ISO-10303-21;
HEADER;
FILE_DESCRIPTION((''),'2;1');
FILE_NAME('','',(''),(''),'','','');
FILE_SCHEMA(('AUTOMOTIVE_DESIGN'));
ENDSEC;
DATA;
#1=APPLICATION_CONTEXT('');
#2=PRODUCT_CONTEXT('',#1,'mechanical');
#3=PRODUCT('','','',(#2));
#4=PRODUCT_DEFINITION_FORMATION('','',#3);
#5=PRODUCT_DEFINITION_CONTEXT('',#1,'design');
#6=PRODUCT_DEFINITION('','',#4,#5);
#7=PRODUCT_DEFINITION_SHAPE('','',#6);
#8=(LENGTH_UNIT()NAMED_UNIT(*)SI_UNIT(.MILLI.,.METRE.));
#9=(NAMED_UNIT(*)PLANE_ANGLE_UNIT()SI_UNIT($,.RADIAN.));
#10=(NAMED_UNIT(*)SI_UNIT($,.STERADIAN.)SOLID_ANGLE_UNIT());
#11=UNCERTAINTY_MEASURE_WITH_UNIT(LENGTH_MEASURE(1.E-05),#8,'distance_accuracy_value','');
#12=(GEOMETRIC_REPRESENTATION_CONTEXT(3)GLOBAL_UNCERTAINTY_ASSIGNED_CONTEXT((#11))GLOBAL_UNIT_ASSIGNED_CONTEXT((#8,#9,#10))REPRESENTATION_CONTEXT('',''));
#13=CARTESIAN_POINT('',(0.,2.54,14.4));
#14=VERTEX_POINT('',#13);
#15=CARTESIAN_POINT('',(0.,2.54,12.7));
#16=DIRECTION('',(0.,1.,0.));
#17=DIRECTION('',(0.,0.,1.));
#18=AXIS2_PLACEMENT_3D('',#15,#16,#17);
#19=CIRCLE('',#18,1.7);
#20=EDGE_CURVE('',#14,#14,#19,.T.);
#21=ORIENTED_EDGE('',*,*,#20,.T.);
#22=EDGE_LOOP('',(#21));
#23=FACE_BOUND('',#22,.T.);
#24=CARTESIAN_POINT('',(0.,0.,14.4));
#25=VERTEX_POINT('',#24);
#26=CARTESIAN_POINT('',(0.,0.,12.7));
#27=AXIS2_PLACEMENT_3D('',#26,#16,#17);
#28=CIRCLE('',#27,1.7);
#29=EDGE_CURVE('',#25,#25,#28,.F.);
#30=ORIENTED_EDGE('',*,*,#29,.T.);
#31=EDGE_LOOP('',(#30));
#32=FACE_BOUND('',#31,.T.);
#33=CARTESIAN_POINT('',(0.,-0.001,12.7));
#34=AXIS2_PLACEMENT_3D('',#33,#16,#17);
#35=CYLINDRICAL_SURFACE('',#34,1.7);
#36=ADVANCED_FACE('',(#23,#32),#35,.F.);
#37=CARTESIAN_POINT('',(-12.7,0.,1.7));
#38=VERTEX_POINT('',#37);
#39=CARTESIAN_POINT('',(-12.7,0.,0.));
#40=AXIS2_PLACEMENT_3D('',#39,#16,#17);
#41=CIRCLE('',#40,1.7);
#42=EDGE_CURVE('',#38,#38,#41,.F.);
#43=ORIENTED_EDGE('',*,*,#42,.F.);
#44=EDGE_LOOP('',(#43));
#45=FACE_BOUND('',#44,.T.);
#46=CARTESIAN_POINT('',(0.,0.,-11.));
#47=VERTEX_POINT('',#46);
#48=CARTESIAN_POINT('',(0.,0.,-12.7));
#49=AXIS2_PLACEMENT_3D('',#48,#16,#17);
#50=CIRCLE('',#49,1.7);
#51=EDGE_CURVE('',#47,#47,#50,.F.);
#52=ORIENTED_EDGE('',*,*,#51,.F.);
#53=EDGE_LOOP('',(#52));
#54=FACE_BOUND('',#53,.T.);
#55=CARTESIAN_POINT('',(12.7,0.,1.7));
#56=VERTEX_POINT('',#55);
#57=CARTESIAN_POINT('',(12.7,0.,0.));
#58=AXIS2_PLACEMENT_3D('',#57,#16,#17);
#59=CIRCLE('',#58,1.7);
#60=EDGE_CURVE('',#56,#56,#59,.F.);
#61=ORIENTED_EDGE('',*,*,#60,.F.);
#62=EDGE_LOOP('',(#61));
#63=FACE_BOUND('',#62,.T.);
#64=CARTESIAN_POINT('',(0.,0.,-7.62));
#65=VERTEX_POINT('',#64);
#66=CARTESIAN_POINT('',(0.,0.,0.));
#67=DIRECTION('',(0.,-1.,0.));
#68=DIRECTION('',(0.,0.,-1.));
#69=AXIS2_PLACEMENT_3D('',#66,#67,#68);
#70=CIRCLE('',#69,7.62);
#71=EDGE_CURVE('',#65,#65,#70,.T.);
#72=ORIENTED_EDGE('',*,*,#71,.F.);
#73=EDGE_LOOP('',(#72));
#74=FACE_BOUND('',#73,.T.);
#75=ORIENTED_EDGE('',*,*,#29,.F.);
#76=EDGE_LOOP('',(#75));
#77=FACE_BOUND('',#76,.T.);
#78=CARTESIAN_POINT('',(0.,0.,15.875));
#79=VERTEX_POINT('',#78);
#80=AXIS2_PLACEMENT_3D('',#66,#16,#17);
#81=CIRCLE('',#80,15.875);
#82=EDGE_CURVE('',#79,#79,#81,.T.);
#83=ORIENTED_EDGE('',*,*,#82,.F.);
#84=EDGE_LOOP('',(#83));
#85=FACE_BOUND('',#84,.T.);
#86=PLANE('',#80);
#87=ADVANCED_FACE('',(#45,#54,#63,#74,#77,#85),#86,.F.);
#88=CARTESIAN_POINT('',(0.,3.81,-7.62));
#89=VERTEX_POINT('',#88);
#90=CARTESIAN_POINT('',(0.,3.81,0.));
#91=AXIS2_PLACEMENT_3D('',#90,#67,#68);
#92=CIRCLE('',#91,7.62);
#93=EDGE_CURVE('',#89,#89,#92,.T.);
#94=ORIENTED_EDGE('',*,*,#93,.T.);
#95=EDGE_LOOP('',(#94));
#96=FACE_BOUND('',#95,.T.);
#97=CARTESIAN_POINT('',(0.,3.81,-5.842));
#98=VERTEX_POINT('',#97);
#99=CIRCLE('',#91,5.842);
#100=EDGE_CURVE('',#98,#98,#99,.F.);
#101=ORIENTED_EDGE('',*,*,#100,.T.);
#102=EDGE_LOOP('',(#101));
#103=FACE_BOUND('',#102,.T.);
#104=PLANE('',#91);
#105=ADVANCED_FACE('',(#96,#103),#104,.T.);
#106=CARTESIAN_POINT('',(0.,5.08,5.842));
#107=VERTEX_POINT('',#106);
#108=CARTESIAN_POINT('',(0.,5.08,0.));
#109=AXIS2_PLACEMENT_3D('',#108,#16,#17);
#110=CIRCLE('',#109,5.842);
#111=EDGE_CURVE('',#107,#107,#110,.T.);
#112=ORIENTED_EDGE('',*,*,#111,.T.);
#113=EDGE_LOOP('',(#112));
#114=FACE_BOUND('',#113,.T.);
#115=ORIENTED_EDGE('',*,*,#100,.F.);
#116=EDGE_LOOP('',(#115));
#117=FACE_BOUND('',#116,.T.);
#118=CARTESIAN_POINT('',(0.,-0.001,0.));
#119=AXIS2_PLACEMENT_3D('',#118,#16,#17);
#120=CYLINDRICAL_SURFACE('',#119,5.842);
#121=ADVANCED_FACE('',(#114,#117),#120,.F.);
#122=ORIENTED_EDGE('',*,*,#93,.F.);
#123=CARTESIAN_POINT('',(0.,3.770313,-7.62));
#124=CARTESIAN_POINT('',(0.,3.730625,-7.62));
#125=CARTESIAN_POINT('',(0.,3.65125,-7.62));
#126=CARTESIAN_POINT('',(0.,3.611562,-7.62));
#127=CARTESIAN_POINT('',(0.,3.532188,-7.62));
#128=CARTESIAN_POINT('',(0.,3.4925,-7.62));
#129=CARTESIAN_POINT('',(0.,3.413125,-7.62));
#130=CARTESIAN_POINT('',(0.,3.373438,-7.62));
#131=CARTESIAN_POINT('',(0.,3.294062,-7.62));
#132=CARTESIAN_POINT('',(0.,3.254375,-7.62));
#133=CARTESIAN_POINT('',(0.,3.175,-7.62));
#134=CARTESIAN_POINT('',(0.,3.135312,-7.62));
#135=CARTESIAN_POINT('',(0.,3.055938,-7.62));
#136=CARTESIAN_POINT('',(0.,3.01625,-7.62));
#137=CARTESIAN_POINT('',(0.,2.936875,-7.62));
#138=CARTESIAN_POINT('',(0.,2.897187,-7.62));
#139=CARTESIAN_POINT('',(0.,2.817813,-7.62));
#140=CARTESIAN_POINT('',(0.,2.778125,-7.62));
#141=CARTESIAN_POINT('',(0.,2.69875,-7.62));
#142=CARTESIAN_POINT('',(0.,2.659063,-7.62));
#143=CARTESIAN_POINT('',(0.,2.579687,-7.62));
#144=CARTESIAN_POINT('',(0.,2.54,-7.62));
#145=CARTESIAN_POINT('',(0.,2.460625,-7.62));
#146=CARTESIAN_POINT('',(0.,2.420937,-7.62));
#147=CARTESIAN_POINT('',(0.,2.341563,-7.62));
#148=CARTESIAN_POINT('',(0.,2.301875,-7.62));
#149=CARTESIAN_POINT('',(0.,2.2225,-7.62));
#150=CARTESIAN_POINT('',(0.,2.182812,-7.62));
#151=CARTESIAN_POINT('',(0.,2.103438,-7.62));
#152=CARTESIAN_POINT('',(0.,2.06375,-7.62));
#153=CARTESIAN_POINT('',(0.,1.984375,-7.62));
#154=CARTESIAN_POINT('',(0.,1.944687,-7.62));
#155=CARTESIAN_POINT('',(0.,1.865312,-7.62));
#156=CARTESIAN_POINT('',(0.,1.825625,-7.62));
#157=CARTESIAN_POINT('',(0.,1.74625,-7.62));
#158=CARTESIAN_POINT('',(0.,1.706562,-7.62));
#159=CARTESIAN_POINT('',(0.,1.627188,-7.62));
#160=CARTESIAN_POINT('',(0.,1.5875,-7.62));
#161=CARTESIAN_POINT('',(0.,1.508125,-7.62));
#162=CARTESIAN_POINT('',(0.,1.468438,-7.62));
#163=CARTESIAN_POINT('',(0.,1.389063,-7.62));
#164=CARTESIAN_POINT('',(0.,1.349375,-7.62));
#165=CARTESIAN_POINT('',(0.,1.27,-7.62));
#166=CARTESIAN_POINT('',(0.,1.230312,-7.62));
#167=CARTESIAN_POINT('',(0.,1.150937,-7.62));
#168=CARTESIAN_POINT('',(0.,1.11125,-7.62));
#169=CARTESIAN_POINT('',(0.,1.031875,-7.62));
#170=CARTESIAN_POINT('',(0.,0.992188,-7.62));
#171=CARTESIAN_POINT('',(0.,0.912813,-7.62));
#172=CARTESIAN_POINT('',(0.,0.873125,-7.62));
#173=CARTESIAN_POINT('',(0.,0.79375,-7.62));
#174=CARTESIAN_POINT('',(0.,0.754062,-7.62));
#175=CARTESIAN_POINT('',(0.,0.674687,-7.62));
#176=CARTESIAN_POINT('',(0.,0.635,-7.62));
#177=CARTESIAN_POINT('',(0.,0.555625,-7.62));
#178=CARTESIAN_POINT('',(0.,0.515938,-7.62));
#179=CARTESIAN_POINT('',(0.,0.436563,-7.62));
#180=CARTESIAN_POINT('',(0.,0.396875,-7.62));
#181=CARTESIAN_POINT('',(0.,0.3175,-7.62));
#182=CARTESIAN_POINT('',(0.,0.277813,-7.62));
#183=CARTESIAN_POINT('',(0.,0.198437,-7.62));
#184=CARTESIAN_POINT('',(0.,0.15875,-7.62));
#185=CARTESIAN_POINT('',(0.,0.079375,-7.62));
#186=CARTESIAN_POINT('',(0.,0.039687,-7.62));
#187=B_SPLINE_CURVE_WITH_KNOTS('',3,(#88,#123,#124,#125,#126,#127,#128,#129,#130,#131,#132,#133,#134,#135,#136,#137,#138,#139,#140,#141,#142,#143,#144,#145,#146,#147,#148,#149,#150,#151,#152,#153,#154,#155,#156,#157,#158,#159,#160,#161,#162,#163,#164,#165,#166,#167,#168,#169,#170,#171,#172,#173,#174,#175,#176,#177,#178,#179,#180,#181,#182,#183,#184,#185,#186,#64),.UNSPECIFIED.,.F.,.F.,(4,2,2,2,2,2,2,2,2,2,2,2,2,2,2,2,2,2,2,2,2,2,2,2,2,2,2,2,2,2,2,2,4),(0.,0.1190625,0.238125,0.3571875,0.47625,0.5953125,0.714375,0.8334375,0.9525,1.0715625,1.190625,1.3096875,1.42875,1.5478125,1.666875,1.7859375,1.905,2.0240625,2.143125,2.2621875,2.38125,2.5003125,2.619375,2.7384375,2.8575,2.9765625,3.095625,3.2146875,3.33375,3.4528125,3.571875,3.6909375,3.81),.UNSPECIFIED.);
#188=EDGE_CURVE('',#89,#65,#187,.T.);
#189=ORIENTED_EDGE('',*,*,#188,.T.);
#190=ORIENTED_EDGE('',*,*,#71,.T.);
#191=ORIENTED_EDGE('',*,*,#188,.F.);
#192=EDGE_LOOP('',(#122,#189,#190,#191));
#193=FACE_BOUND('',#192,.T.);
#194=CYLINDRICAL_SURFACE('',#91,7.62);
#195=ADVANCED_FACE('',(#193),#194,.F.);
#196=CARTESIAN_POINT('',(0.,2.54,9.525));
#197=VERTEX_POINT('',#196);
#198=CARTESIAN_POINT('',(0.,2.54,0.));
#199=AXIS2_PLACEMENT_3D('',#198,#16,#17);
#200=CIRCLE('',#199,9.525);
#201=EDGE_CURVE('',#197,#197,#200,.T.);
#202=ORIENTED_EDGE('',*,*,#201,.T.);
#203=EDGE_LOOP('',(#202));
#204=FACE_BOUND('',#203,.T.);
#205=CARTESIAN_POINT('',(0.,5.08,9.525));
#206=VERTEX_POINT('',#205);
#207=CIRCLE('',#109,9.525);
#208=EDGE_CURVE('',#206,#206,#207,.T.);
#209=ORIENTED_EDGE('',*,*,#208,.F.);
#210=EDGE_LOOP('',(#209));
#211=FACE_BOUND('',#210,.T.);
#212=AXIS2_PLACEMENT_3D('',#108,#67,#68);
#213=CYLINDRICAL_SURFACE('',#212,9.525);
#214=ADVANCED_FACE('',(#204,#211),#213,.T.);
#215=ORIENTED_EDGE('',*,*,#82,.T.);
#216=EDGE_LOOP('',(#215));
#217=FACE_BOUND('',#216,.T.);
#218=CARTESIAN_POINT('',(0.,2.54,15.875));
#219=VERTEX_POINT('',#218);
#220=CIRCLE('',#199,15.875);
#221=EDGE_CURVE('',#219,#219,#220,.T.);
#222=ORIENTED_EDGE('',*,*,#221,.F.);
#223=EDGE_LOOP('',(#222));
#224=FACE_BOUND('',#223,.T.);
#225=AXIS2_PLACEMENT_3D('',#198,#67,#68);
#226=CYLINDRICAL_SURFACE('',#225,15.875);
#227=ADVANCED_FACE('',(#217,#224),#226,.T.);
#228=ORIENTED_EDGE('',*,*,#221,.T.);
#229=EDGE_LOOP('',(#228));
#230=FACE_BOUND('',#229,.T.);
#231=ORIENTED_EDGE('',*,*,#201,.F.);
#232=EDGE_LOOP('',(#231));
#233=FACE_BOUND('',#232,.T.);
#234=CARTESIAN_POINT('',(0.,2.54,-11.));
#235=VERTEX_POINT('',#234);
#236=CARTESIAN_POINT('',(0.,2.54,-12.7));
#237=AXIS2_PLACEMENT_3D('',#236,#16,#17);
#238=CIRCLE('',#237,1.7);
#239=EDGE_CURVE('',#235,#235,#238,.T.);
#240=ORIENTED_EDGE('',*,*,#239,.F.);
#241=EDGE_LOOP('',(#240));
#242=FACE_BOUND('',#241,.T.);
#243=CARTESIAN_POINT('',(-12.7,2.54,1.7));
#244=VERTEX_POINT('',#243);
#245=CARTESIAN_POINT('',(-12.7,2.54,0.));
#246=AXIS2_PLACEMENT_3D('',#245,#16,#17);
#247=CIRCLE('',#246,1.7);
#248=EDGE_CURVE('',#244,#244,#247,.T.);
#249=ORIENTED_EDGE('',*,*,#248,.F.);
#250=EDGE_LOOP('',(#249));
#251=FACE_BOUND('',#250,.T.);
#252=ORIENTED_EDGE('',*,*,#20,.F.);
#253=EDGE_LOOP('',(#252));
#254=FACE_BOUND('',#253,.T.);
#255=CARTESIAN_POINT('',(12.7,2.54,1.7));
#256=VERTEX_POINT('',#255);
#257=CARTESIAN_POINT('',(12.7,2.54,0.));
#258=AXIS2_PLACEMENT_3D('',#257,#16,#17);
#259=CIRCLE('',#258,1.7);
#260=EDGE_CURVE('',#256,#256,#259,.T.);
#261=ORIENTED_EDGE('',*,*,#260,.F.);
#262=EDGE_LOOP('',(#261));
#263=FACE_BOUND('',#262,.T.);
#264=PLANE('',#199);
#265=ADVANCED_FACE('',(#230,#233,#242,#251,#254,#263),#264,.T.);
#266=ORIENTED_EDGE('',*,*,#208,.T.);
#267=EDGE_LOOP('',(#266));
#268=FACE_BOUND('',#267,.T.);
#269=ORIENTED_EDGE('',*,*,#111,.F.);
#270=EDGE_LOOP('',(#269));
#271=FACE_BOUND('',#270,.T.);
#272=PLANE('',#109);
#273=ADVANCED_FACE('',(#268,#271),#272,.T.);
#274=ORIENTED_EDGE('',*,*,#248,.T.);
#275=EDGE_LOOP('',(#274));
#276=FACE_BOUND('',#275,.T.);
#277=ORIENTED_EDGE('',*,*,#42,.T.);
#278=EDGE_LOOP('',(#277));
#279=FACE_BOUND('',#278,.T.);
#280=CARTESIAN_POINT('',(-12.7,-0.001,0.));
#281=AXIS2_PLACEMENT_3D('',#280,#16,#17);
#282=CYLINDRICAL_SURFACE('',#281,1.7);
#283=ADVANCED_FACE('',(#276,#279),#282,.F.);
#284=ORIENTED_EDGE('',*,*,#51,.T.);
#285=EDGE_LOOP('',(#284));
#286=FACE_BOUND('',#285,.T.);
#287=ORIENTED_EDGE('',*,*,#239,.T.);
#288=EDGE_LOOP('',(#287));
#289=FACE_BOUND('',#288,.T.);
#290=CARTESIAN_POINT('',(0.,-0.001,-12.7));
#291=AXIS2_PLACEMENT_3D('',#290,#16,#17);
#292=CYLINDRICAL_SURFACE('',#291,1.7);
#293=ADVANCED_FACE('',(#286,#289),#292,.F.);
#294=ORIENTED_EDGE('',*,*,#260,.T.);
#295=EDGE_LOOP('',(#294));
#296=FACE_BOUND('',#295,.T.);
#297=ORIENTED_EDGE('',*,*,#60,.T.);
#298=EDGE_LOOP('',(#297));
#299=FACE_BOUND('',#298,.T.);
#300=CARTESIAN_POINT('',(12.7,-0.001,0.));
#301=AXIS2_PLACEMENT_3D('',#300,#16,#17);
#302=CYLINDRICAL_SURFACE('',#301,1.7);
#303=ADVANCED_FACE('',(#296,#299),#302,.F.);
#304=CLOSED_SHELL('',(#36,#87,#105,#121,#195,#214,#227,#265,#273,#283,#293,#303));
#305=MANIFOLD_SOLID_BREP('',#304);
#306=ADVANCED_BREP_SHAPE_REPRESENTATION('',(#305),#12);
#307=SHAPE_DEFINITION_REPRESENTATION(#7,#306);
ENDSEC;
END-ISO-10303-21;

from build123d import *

# Parameters (mm, degrees)
SKETCH1_R           = 15.875
BOSS_EXTRUDE1_DEPTH = 2.54
SKETCH2_R           = 9.525
BOSS_EXTRUDE2_DEPTH = 2.54
SKETCH3_R           = 7.62
CUT_EXTRUDE1_DEPTH  = 3.81
CUT_EXTRUDE2_REACH  = 25.018
SKETCH4_R           = 5.842
CUT_EXTRUDE3_REACH  = 24.594
SKETCH5_R           = 1.7


with BuildPart() as part:
    # Sketch1 → Boss-Extrude1 (new body)
    with BuildSketch(Plane(origin=(0, 0, 0), x_dir=(1, 0, 0), z_dir=(0, 1, 0))):
        with Locations(Location((0, 0, 0), (0, 0, 270))):
            Circle(SKETCH1_R)
    extrude(amount=BOSS_EXTRUDE1_DEPTH)

    # Sketch2 → Boss-Extrude2 (add)
    with BuildSketch(Plane(origin=(0, 2.54, 0), x_dir=(1, 0, 0), z_dir=(0, 1, 0))):
        with Locations(Location((0, 0, 0), (0, 0, 270))):
            Circle(SKETCH2_R)
    extrude(amount=BOSS_EXTRUDE2_DEPTH)

    # Sketch3 → Cut-Extrude1 (cut)
    with BuildSketch(Plane.XZ):
        with Locations(Location((0, 0, 0), (0, 0, 270))):
            Circle(SKETCH3_R)
    extrude(amount=-CUT_EXTRUDE1_DEPTH, mode=Mode.SUBTRACT)

    # Sketch4 → Cut-Extrude2 (cut, up to next)
    with BuildSketch(Plane(origin=(0, 5.08, 0), x_dir=(1, 0, 0), z_dir=(0, 1, 0)), mode=Mode.PRIVATE) as cut_extrude2_sk1:
        with Locations(Location((0, 0, 0), (0, 0, 270))):
            Circle(SKETCH4_R)
    cut_extrude2_tool1 = extrude(cut_extrude2_sk1.sketch, amount=-CUT_EXTRUDE2_REACH, mode=Mode.PRIVATE) & part.part
    add(cut_extrude2_tool1.solids().sort_by_distance((0, 5.08, 0))[0], mode=Mode.SUBTRACT)

    # Sketch5 → Cut-Extrude3 (cut, up to next)
    with BuildSketch(Plane(origin=(0, 2.54, 0), x_dir=(1, 0, 0), z_dir=(0, 1, 0)), mode=Mode.PRIVATE) as cut_extrude3_sk1:
        with Locations(Location((0, 12.7, 0), (0, 0, 270))):
            Circle(SKETCH5_R)
    cut_extrude3_tool1 = extrude(cut_extrude3_sk1.sketch, amount=-CUT_EXTRUDE3_REACH, mode=Mode.PRIVATE) & part.part
    # Sketch5 → Cut-Extrude3 (cut, up to next)
    with BuildSketch(Plane(origin=(0, 2.54, 0), x_dir=(1, 0, 0), z_dir=(0, 1, 0)), mode=Mode.PRIVATE) as cut_extrude3_sk2:
        with Locations(Location((12.7, 0, 0), (0, 0, 270))):
            Circle(SKETCH5_R)
    cut_extrude3_tool2 = extrude(cut_extrude3_sk2.sketch, amount=-CUT_EXTRUDE3_REACH, mode=Mode.PRIVATE) & part.part
    # Sketch5 → Cut-Extrude3 (cut, up to next)
    with BuildSketch(Plane(origin=(0, 2.54, 0), x_dir=(1, 0, 0), z_dir=(0, 1, 0)), mode=Mode.PRIVATE) as cut_extrude3_sk3:
        with Locations(Location((0, -12.7, 0), (0, 0, 270))):
            Circle(SKETCH5_R)
    cut_extrude3_tool3 = extrude(cut_extrude3_sk3.sketch, amount=-CUT_EXTRUDE3_REACH, mode=Mode.PRIVATE) & part.part
    # Sketch5 → Cut-Extrude3 (cut, up to next)
    with BuildSketch(Plane(origin=(0, 2.54, 0), x_dir=(1, 0, 0), z_dir=(0, 1, 0)), mode=Mode.PRIVATE) as cut_extrude3_sk4:
        with Locations(Location((-12.7, 0, 0), (0, 0, 270))):
            Circle(SKETCH5_R)
    cut_extrude3_tool4 = extrude(cut_extrude3_sk4.sketch, amount=-CUT_EXTRUDE3_REACH, mode=Mode.PRIVATE) & part.part
    add(cut_extrude3_tool1.solids().sort_by_distance((0, 2.54, -12.7))[0], mode=Mode.SUBTRACT)
    add(cut_extrude3_tool2.solids().sort_by_distance((12.7, 2.54, 0))[0], mode=Mode.SUBTRACT)
    add(cut_extrude3_tool3.solids().sort_by_distance((0, 2.54, 12.7))[0], mode=Mode.SUBTRACT)
    add(cut_extrude3_tool4.solids().sort_by_distance((-12.7, 2.54, 0))[0], mode=Mode.SUBTRACT)


solid = part.part
